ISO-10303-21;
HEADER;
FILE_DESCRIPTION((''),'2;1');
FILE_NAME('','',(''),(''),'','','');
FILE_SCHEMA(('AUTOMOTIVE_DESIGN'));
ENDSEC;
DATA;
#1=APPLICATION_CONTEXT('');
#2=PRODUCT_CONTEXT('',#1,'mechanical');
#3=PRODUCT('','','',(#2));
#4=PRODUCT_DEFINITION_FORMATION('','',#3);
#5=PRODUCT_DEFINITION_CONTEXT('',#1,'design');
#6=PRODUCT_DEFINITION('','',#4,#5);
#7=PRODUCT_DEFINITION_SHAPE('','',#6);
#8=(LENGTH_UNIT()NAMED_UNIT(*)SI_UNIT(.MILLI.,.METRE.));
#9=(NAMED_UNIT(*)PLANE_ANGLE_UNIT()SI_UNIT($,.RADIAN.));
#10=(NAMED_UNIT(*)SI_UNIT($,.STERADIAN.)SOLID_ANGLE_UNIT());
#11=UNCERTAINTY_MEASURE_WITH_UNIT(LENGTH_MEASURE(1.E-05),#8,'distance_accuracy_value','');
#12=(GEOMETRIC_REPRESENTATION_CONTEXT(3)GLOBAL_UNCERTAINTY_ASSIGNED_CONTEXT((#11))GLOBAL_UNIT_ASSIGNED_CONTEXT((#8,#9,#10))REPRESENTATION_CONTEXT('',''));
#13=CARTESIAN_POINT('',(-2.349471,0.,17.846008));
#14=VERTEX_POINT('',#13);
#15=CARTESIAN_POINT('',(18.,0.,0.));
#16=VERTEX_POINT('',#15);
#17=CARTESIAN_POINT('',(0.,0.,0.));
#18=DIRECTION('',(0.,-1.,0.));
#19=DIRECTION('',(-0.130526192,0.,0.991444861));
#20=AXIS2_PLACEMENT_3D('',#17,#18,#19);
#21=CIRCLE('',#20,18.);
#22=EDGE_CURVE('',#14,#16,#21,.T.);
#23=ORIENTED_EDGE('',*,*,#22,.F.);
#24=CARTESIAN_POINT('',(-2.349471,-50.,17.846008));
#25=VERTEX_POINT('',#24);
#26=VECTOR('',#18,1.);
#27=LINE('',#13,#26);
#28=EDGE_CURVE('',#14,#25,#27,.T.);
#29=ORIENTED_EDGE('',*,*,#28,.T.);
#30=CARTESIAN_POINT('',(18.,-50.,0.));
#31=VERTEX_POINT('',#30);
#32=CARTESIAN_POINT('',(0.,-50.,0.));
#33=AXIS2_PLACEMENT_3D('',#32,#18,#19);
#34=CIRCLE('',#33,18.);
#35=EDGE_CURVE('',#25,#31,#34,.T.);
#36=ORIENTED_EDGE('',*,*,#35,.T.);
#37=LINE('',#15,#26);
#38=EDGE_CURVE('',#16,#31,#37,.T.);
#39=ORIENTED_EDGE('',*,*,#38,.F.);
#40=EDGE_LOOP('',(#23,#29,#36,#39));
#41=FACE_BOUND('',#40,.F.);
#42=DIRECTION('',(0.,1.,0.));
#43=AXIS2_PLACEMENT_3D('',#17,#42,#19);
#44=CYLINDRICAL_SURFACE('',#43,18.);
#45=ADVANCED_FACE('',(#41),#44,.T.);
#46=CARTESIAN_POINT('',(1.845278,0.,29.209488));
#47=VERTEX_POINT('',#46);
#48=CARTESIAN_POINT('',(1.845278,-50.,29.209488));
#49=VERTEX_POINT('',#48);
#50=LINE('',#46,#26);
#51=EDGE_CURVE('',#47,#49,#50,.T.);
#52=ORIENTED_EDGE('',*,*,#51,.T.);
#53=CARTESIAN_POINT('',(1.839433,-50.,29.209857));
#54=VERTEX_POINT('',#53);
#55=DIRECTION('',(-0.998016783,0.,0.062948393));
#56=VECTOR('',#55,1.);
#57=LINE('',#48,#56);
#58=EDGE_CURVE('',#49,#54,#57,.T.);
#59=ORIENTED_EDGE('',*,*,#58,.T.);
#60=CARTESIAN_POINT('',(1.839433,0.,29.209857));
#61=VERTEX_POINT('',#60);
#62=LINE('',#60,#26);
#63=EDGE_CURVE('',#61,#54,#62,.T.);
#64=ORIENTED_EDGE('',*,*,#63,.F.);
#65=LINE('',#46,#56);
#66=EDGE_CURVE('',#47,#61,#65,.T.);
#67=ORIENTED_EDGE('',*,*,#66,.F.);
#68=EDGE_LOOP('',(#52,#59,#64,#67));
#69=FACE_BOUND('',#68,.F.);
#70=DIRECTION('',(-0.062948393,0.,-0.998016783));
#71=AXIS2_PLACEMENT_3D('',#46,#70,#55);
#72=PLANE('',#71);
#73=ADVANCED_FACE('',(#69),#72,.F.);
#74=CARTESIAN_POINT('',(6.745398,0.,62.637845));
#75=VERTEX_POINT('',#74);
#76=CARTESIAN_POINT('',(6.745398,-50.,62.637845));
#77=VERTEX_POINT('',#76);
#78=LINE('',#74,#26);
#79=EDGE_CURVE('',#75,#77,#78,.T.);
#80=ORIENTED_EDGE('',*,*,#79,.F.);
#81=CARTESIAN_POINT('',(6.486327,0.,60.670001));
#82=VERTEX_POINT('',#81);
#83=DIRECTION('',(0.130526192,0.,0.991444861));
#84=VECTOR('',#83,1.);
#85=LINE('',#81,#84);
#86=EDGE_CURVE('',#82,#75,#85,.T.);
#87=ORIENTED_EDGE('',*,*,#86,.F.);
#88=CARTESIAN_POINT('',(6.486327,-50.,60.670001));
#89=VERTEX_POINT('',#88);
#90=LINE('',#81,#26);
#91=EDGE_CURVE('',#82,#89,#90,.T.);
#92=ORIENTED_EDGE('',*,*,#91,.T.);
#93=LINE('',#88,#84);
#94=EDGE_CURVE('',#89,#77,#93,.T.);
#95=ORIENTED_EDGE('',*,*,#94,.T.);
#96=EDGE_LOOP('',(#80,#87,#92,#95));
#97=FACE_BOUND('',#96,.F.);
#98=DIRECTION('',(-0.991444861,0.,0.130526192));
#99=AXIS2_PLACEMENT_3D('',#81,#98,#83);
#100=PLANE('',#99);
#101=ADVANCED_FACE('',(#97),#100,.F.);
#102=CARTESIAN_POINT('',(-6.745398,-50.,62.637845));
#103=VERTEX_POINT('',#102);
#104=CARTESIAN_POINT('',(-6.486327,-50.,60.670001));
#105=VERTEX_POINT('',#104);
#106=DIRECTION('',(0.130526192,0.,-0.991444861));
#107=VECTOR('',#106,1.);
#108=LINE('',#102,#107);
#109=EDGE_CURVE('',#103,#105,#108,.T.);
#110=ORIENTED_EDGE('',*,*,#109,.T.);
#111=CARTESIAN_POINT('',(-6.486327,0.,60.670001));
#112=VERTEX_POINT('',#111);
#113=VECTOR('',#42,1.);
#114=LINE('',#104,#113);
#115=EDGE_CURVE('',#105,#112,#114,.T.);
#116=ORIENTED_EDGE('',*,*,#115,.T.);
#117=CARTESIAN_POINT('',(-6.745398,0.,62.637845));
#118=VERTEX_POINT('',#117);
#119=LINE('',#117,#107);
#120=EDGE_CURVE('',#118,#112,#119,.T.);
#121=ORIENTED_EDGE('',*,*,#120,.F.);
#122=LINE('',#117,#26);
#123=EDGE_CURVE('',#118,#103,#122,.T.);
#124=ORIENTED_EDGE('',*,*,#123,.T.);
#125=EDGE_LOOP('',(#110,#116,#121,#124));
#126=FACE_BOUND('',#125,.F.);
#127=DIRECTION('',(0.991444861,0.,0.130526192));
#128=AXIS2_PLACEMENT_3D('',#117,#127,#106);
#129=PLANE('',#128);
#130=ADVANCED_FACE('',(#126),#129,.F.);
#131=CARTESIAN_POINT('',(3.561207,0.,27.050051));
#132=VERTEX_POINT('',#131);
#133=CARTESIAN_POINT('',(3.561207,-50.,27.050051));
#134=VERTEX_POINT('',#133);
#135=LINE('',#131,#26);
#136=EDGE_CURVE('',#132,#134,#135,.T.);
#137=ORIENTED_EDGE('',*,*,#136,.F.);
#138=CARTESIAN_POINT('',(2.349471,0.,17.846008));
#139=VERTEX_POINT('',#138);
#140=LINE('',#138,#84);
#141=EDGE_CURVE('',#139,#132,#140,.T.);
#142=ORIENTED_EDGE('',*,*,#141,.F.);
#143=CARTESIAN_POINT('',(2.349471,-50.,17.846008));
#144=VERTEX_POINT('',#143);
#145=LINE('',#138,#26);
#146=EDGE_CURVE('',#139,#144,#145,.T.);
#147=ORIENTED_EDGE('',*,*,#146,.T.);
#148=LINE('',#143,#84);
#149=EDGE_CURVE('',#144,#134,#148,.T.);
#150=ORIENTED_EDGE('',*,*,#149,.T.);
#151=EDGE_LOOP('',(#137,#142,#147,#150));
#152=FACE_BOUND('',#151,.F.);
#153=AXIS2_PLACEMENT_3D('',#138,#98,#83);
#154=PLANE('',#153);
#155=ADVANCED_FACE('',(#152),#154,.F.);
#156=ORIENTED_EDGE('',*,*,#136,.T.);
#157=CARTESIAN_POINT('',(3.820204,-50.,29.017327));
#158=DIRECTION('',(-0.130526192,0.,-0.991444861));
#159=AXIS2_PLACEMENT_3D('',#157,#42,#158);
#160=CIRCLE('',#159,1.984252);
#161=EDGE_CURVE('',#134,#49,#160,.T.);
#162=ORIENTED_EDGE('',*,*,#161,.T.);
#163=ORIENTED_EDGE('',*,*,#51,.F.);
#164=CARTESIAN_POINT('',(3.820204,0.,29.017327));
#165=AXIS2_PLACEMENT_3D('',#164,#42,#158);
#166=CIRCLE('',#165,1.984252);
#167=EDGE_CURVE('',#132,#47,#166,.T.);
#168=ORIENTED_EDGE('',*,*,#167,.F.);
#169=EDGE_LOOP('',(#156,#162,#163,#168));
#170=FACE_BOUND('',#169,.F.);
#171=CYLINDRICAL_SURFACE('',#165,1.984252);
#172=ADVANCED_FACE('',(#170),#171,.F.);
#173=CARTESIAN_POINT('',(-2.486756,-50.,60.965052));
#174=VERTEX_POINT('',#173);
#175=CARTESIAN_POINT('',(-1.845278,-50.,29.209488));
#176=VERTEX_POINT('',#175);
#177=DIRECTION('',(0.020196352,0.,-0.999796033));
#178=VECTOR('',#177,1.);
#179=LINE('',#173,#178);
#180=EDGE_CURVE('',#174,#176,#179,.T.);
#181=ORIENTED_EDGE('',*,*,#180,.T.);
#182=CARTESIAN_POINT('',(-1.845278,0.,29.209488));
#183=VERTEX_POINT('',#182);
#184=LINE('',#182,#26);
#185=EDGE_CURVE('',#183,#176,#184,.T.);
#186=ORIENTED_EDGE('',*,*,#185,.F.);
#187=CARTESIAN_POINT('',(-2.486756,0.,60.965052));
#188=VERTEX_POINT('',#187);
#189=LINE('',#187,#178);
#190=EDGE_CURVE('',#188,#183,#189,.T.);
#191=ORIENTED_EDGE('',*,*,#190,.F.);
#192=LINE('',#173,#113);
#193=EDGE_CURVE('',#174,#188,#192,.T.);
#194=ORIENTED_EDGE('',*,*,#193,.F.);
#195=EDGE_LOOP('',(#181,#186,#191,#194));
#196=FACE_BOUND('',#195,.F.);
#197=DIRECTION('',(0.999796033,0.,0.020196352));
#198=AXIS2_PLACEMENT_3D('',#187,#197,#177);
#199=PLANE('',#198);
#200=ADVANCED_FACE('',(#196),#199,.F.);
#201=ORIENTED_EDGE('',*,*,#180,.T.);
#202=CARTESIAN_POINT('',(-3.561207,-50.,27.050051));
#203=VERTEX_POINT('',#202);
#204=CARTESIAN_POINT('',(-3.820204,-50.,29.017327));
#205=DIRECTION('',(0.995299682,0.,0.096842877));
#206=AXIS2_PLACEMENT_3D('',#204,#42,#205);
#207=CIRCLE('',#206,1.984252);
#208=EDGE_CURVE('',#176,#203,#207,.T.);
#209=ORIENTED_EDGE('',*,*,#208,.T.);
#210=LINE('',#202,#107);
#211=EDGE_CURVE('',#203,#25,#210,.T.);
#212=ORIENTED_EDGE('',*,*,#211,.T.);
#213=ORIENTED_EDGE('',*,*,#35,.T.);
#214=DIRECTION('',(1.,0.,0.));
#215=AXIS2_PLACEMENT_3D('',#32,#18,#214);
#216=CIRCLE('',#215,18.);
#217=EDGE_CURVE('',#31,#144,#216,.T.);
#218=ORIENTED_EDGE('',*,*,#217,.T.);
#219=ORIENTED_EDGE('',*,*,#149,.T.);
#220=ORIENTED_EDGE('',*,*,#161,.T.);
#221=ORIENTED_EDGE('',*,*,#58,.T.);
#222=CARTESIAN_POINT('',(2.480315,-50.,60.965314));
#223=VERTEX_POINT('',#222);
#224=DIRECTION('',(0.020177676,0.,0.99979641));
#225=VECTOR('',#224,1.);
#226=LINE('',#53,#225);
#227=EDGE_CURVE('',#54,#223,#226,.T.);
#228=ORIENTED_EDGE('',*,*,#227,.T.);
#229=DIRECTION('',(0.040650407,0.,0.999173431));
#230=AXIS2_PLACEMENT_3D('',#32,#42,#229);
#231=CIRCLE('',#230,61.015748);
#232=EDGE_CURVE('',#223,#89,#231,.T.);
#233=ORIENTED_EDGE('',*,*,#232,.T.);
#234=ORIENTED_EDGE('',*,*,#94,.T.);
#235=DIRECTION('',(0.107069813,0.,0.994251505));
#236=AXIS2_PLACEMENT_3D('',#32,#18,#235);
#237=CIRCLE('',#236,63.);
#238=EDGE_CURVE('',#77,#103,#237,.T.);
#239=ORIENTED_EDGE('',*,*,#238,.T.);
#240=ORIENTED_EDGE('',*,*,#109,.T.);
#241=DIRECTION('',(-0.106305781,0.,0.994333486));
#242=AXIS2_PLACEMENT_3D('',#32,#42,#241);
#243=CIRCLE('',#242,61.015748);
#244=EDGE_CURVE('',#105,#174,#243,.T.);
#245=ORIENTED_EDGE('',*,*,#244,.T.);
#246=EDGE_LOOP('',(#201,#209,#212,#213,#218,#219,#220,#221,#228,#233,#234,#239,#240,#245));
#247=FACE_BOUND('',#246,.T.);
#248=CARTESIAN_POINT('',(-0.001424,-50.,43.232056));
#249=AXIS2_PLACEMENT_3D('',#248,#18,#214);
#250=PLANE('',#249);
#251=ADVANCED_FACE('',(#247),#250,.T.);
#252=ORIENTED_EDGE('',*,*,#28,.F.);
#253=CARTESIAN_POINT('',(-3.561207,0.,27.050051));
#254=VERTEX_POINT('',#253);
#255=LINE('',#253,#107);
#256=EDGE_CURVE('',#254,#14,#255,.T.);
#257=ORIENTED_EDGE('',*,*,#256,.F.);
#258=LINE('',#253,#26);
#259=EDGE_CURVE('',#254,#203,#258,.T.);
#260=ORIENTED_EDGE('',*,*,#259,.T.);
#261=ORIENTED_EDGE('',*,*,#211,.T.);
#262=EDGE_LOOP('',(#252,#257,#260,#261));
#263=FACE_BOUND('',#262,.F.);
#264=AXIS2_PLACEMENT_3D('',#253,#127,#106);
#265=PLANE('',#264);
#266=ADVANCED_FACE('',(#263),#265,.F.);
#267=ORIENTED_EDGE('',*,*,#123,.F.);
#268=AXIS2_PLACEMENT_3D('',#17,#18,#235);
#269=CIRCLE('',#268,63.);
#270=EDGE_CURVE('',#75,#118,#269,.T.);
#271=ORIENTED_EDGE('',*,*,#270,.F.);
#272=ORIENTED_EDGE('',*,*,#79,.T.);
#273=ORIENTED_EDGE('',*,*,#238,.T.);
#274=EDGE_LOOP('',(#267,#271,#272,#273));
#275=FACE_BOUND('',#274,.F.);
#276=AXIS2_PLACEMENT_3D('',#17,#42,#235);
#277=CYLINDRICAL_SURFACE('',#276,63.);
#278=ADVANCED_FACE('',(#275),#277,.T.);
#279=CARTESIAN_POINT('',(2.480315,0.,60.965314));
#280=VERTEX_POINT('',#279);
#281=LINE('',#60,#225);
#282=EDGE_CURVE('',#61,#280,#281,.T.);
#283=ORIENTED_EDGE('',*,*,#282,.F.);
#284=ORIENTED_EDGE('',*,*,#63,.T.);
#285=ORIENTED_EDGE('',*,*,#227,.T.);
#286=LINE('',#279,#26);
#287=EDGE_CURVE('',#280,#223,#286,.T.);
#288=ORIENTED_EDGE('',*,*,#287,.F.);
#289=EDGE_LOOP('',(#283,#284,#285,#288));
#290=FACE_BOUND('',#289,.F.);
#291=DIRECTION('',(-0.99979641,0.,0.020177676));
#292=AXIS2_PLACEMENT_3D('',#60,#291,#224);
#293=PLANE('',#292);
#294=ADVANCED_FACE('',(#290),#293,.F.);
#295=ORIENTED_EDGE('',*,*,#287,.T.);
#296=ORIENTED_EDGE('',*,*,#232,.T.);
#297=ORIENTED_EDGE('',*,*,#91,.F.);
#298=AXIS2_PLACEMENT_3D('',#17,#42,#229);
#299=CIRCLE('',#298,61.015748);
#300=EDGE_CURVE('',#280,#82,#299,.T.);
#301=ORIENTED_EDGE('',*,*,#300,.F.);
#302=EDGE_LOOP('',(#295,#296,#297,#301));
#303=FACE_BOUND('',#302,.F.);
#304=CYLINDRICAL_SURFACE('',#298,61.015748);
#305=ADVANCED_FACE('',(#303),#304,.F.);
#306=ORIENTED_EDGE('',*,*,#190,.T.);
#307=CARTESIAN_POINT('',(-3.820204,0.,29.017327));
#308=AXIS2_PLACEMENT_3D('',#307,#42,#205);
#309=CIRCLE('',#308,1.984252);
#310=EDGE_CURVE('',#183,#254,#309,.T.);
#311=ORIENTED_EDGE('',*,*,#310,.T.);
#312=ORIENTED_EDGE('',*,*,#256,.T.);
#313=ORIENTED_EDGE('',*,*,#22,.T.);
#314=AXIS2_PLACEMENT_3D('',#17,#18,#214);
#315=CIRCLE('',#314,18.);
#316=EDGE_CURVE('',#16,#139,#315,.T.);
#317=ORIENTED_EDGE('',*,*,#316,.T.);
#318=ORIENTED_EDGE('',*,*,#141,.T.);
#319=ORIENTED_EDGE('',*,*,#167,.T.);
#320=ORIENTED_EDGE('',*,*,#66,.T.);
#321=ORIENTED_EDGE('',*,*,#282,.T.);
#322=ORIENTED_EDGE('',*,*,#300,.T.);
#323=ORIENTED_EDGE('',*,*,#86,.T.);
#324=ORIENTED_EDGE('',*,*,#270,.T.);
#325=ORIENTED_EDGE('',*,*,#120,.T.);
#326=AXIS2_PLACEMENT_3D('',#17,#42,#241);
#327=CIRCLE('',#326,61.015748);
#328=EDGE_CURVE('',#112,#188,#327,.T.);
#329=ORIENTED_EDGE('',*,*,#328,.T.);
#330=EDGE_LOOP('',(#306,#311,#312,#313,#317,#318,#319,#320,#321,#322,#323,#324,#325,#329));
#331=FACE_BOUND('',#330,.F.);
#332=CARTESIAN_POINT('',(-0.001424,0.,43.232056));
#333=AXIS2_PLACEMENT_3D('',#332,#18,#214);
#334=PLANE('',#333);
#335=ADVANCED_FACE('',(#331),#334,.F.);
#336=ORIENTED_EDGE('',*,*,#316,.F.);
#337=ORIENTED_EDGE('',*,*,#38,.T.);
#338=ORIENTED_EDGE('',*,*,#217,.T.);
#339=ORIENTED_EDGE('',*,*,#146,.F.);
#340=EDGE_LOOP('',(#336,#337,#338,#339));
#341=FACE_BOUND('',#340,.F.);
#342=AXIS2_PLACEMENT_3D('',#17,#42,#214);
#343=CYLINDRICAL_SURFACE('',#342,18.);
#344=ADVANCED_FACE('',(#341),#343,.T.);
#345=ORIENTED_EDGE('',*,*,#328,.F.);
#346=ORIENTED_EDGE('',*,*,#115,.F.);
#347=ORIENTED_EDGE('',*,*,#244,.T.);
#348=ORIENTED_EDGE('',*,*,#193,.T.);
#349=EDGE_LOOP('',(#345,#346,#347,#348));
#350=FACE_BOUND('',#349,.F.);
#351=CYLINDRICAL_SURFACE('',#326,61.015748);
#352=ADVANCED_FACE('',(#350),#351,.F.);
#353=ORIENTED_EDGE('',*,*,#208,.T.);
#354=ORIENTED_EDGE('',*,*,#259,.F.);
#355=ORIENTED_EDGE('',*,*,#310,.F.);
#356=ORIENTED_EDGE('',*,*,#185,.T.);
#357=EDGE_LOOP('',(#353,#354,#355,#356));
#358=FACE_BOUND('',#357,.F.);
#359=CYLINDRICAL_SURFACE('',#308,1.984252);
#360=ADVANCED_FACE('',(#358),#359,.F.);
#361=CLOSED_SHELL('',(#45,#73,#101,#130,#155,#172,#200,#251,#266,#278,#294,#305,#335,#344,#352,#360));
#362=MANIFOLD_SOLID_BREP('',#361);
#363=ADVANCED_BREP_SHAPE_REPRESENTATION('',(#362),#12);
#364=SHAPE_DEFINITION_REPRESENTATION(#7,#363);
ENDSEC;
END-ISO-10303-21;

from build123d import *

# Parameters (mm, degrees)
F1_DEPTH = 50
F2_DEPTH = 25


with BuildPart() as f1:
    # F0 (on Front) → F1 (new body)
    with BuildSketch(Plane.XZ):
        with BuildLine():
            Line((-2.4867556309, 60.9650519091), (-1.8452782409, 29.2094878321))
            ThreePointArc((-1.8452782409, 29.2094878321), (-2.2666932983, 27.7828792564), (-3.5612067405, 27.0500507454))
            Line((-3.5612067405, 27.0500507454), (-2.34947146, 17.8460075047))
            ThreePointArc((-2.34947146, 17.8460075047), (0, 18), (2.34947146, 17.8460075047))
            Line((2.34947146, 17.8460075047), (3.5612067405, 27.0500507454))
            ThreePointArc((3.5612067405, 27.0500507454), (2.2666932983, 27.7828792564), (1.8452782409, 29.2094878321))
            Line((1.8452782409, 29.2094878321), (1.8394331553, 29.209856502))
            Line((1.8394331553, 29.209856502), (2.4803149606, 60.9653142823))
            ThreePointArc((2.4803149606, 60.9653142823), (4.485751683, 60.8506330261), (6.4863267166, 60.6700014304))
            Line((6.4863267166, 60.6700014304), (6.7453982129, 62.6378448141))
            ThreePointArc((6.7453982129, 62.6378448141), (0, 63), (-6.7453982129, 62.6378448141))
            Line((-6.7453982129, 62.6378448141), (-6.4863267166, 60.6700014304))
            ThreePointArc((-6.4863267166, 60.6700014304), (-4.4889659611, 60.8503959925), (-2.4867556309, 60.9650519091))
        make_face()
        with BuildLine():
            ThreePointArc((2.34947146, 17.8460075047), (0, 18), (-2.34947146, 17.8460075047))
            Line((-2.34947146, 17.8460075047), (0, 0))
            Line((0, 0), (2.34947146, 17.8460075047))
        make_face()
        with BuildLine():
            Line((0, 0), (-2.34947146, 17.8460075047))
            ThreePointArc((-2.34947146, 17.8460075047), (-11.8682246718, -13.5331165346), (18, 0))
            ThreePointArc((18, 0), (13.5331165346, 11.8682246718), (2.34947146, 17.8460075047))
            Line((2.34947146, 17.8460075047), (0, 0))
        make_face()
    extrude(amount=F1_DEPTH)

    # F0 (on Front) → F2 (join)
    with BuildSketch(Plane.XZ):
        with BuildLine():
            Line((-2.4867556309, 60.9650519091), (-1.8452782409, 29.2094878321))
            ThreePointArc((-1.8452782409, 29.2094878321), (-2.2666932983, 27.7828792564), (-3.5612067405, 27.0500507454))
            Line((-3.5612067405, 27.0500507454), (-2.34947146, 17.8460075047))
            ThreePointArc((-2.34947146, 17.8460075047), (0, 18), (2.34947146, 17.8460075047))
            Line((2.34947146, 17.8460075047), (3.5612067405, 27.0500507454))
            ThreePointArc((3.5612067405, 27.0500507454), (2.2666932983, 27.7828792564), (1.8452782409, 29.2094878321))
            Line((1.8452782409, 29.2094878321), (1.8394331553, 29.209856502))
            Line((1.8394331553, 29.209856502), (2.4803149606, 60.9653142823))
            ThreePointArc((2.4803149606, 60.9653142823), (4.485751683, 60.8506330261), (6.4863267166, 60.6700014304))
            Line((6.4863267166, 60.6700014304), (6.7453982129, 62.6378448141))
            ThreePointArc((6.7453982129, 62.6378448141), (0, 63), (-6.7453982129, 62.6378448141))
            Line((-6.7453982129, 62.6378448141), (-6.4863267166, 60.6700014304))
            ThreePointArc((-6.4863267166, 60.6700014304), (-4.4889659611, 60.8503959925), (-2.4867556309, 60.9650519091))
        make_face()
        with BuildLine():
            ThreePointArc((2.34947146, 17.8460075047), (0, 18), (-2.34947146, 17.8460075047))
            Line((-2.34947146, 17.8460075047), (0, 0))
            Line((0, 0), (2.34947146, 17.8460075047))
        make_face()
        with BuildLine():
            Line((0, 0), (-2.34947146, 17.8460075047))
            ThreePointArc((-2.34947146, 17.8460075047), (-11.8682246718, -13.5331165346), (18, 0))
            ThreePointArc((18, 0), (13.5331165346, 11.8682246718), (2.34947146, 17.8460075047))
            Line((2.34947146, 17.8460075047), (0, 0))
        make_face()
    extrude(amount=F2_DEPTH)


solid = f1.part
